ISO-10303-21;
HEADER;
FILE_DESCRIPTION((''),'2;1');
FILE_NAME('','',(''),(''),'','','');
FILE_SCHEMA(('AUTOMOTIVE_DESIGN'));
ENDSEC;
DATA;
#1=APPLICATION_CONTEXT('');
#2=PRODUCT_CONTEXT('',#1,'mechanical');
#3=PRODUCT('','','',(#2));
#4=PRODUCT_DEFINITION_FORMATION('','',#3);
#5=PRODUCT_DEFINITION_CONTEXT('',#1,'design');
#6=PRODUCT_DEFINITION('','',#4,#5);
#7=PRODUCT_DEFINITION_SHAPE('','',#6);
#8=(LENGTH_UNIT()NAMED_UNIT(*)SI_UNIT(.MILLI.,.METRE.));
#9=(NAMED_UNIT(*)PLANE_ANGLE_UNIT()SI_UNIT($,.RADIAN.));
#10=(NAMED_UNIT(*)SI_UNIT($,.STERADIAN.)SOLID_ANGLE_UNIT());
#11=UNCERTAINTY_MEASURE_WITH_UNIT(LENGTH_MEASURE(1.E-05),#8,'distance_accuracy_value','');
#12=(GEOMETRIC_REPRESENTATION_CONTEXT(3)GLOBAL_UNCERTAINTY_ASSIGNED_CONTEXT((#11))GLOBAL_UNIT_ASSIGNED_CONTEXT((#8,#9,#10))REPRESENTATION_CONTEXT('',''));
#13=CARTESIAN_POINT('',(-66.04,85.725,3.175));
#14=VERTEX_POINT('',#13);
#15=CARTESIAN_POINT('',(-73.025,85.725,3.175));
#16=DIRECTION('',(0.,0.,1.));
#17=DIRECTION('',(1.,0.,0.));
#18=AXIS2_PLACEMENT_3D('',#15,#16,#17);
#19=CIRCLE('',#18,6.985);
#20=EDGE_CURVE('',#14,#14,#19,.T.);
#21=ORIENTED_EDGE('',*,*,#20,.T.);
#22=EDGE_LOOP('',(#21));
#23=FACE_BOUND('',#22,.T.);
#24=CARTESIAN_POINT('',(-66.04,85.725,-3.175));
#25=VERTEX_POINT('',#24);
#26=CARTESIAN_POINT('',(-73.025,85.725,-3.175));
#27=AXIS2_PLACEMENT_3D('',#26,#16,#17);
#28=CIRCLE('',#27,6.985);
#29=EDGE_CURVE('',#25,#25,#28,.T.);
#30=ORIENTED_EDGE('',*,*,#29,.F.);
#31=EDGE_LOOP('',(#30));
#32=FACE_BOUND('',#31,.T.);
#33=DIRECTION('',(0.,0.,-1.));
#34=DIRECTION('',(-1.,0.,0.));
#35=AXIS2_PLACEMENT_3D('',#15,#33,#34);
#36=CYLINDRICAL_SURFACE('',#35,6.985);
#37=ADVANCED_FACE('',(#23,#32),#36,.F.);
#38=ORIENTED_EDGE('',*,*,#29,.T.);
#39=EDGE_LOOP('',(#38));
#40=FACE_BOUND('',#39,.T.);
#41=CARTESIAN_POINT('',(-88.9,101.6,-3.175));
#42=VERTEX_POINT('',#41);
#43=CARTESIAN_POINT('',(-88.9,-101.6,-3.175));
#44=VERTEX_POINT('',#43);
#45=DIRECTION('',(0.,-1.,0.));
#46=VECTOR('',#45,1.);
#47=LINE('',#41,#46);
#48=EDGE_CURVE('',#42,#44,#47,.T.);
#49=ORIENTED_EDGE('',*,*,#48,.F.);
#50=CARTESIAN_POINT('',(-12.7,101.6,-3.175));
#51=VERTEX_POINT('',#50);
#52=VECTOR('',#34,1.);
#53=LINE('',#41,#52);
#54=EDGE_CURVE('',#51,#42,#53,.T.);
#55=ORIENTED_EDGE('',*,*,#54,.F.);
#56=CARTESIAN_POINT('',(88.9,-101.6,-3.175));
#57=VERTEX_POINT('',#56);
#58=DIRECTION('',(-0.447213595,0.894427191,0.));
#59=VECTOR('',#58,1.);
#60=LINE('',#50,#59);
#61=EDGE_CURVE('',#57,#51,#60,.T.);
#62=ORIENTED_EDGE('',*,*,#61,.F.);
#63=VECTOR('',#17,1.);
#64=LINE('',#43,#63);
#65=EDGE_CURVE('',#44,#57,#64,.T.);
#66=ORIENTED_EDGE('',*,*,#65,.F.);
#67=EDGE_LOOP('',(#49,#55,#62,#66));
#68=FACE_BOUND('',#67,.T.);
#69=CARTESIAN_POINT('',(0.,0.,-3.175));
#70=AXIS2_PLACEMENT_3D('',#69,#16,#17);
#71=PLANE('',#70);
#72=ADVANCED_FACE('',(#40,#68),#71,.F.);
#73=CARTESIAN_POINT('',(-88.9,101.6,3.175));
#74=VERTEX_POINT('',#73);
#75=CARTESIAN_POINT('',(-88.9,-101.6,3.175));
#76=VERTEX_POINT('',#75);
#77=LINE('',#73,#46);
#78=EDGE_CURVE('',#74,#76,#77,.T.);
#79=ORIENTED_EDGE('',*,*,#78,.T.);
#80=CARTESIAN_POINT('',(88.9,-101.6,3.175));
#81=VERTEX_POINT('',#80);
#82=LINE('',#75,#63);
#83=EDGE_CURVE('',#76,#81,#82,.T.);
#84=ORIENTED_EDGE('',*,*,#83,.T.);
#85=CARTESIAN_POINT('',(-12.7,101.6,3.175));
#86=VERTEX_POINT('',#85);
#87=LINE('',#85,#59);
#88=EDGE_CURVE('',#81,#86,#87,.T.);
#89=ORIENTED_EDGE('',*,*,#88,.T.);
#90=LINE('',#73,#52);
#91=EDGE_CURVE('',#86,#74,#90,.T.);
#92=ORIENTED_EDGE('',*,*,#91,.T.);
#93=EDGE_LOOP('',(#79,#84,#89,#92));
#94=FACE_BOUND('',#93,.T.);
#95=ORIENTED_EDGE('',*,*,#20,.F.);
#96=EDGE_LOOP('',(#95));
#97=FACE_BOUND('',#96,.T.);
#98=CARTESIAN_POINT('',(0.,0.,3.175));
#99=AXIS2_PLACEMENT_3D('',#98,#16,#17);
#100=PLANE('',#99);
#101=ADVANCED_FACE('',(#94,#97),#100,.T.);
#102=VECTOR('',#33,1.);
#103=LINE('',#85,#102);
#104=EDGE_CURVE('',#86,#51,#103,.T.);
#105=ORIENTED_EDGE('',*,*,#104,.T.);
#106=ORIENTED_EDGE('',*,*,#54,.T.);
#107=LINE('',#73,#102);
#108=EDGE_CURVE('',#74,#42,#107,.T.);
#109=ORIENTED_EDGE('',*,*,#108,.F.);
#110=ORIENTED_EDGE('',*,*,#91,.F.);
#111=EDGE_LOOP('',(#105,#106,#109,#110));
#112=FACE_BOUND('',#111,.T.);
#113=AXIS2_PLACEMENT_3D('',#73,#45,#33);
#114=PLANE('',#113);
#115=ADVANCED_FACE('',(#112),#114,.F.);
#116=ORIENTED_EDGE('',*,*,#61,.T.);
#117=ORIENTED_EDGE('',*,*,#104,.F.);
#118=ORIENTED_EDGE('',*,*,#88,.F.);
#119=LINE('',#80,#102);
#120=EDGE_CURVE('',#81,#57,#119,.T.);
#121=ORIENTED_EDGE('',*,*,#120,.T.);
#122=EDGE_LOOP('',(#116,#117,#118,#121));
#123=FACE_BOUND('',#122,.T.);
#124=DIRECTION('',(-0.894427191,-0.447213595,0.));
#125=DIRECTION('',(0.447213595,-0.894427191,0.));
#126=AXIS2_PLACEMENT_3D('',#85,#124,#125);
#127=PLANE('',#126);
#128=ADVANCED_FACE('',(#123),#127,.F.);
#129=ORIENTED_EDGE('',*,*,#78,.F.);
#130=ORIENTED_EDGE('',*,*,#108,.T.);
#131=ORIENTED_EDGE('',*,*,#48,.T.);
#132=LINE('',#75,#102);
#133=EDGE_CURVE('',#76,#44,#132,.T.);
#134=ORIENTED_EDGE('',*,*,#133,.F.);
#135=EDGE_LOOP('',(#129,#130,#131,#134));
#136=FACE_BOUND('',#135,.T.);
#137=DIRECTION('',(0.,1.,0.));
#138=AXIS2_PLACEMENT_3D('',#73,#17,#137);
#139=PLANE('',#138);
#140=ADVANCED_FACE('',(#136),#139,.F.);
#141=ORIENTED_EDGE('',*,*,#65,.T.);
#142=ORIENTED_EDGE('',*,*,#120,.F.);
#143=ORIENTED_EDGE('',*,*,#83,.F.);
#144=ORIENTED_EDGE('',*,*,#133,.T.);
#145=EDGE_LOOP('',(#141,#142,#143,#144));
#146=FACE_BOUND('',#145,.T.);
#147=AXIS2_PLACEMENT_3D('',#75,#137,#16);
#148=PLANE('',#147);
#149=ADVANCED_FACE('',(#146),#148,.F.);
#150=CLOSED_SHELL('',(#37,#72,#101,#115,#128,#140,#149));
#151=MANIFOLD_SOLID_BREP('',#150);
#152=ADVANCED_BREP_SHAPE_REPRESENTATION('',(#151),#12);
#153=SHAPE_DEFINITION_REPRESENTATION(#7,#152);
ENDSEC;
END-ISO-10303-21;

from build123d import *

# Parameters (mm, degrees)
SKETCH1_R           = 6.985
BOSS_EXTRUDE1_DEPTH = 3.175


with BuildPart() as part:
    # Sketch1 → Boss-Extrude1 (new body, symmetric)
    with BuildSketch(Plane.XY):
        Polygon((-88.9, 101.6), (-88.9, -101.6), (88.9, -101.6), (-12.7, 101.6), align=None)
        with Locations((-73.025, 85.725)):
            Circle(SKETCH1_R, mode=Mode.SUBTRACT)
    extrude(amount=BOSS_EXTRUDE1_DEPTH, both=True)


solid = part.part
